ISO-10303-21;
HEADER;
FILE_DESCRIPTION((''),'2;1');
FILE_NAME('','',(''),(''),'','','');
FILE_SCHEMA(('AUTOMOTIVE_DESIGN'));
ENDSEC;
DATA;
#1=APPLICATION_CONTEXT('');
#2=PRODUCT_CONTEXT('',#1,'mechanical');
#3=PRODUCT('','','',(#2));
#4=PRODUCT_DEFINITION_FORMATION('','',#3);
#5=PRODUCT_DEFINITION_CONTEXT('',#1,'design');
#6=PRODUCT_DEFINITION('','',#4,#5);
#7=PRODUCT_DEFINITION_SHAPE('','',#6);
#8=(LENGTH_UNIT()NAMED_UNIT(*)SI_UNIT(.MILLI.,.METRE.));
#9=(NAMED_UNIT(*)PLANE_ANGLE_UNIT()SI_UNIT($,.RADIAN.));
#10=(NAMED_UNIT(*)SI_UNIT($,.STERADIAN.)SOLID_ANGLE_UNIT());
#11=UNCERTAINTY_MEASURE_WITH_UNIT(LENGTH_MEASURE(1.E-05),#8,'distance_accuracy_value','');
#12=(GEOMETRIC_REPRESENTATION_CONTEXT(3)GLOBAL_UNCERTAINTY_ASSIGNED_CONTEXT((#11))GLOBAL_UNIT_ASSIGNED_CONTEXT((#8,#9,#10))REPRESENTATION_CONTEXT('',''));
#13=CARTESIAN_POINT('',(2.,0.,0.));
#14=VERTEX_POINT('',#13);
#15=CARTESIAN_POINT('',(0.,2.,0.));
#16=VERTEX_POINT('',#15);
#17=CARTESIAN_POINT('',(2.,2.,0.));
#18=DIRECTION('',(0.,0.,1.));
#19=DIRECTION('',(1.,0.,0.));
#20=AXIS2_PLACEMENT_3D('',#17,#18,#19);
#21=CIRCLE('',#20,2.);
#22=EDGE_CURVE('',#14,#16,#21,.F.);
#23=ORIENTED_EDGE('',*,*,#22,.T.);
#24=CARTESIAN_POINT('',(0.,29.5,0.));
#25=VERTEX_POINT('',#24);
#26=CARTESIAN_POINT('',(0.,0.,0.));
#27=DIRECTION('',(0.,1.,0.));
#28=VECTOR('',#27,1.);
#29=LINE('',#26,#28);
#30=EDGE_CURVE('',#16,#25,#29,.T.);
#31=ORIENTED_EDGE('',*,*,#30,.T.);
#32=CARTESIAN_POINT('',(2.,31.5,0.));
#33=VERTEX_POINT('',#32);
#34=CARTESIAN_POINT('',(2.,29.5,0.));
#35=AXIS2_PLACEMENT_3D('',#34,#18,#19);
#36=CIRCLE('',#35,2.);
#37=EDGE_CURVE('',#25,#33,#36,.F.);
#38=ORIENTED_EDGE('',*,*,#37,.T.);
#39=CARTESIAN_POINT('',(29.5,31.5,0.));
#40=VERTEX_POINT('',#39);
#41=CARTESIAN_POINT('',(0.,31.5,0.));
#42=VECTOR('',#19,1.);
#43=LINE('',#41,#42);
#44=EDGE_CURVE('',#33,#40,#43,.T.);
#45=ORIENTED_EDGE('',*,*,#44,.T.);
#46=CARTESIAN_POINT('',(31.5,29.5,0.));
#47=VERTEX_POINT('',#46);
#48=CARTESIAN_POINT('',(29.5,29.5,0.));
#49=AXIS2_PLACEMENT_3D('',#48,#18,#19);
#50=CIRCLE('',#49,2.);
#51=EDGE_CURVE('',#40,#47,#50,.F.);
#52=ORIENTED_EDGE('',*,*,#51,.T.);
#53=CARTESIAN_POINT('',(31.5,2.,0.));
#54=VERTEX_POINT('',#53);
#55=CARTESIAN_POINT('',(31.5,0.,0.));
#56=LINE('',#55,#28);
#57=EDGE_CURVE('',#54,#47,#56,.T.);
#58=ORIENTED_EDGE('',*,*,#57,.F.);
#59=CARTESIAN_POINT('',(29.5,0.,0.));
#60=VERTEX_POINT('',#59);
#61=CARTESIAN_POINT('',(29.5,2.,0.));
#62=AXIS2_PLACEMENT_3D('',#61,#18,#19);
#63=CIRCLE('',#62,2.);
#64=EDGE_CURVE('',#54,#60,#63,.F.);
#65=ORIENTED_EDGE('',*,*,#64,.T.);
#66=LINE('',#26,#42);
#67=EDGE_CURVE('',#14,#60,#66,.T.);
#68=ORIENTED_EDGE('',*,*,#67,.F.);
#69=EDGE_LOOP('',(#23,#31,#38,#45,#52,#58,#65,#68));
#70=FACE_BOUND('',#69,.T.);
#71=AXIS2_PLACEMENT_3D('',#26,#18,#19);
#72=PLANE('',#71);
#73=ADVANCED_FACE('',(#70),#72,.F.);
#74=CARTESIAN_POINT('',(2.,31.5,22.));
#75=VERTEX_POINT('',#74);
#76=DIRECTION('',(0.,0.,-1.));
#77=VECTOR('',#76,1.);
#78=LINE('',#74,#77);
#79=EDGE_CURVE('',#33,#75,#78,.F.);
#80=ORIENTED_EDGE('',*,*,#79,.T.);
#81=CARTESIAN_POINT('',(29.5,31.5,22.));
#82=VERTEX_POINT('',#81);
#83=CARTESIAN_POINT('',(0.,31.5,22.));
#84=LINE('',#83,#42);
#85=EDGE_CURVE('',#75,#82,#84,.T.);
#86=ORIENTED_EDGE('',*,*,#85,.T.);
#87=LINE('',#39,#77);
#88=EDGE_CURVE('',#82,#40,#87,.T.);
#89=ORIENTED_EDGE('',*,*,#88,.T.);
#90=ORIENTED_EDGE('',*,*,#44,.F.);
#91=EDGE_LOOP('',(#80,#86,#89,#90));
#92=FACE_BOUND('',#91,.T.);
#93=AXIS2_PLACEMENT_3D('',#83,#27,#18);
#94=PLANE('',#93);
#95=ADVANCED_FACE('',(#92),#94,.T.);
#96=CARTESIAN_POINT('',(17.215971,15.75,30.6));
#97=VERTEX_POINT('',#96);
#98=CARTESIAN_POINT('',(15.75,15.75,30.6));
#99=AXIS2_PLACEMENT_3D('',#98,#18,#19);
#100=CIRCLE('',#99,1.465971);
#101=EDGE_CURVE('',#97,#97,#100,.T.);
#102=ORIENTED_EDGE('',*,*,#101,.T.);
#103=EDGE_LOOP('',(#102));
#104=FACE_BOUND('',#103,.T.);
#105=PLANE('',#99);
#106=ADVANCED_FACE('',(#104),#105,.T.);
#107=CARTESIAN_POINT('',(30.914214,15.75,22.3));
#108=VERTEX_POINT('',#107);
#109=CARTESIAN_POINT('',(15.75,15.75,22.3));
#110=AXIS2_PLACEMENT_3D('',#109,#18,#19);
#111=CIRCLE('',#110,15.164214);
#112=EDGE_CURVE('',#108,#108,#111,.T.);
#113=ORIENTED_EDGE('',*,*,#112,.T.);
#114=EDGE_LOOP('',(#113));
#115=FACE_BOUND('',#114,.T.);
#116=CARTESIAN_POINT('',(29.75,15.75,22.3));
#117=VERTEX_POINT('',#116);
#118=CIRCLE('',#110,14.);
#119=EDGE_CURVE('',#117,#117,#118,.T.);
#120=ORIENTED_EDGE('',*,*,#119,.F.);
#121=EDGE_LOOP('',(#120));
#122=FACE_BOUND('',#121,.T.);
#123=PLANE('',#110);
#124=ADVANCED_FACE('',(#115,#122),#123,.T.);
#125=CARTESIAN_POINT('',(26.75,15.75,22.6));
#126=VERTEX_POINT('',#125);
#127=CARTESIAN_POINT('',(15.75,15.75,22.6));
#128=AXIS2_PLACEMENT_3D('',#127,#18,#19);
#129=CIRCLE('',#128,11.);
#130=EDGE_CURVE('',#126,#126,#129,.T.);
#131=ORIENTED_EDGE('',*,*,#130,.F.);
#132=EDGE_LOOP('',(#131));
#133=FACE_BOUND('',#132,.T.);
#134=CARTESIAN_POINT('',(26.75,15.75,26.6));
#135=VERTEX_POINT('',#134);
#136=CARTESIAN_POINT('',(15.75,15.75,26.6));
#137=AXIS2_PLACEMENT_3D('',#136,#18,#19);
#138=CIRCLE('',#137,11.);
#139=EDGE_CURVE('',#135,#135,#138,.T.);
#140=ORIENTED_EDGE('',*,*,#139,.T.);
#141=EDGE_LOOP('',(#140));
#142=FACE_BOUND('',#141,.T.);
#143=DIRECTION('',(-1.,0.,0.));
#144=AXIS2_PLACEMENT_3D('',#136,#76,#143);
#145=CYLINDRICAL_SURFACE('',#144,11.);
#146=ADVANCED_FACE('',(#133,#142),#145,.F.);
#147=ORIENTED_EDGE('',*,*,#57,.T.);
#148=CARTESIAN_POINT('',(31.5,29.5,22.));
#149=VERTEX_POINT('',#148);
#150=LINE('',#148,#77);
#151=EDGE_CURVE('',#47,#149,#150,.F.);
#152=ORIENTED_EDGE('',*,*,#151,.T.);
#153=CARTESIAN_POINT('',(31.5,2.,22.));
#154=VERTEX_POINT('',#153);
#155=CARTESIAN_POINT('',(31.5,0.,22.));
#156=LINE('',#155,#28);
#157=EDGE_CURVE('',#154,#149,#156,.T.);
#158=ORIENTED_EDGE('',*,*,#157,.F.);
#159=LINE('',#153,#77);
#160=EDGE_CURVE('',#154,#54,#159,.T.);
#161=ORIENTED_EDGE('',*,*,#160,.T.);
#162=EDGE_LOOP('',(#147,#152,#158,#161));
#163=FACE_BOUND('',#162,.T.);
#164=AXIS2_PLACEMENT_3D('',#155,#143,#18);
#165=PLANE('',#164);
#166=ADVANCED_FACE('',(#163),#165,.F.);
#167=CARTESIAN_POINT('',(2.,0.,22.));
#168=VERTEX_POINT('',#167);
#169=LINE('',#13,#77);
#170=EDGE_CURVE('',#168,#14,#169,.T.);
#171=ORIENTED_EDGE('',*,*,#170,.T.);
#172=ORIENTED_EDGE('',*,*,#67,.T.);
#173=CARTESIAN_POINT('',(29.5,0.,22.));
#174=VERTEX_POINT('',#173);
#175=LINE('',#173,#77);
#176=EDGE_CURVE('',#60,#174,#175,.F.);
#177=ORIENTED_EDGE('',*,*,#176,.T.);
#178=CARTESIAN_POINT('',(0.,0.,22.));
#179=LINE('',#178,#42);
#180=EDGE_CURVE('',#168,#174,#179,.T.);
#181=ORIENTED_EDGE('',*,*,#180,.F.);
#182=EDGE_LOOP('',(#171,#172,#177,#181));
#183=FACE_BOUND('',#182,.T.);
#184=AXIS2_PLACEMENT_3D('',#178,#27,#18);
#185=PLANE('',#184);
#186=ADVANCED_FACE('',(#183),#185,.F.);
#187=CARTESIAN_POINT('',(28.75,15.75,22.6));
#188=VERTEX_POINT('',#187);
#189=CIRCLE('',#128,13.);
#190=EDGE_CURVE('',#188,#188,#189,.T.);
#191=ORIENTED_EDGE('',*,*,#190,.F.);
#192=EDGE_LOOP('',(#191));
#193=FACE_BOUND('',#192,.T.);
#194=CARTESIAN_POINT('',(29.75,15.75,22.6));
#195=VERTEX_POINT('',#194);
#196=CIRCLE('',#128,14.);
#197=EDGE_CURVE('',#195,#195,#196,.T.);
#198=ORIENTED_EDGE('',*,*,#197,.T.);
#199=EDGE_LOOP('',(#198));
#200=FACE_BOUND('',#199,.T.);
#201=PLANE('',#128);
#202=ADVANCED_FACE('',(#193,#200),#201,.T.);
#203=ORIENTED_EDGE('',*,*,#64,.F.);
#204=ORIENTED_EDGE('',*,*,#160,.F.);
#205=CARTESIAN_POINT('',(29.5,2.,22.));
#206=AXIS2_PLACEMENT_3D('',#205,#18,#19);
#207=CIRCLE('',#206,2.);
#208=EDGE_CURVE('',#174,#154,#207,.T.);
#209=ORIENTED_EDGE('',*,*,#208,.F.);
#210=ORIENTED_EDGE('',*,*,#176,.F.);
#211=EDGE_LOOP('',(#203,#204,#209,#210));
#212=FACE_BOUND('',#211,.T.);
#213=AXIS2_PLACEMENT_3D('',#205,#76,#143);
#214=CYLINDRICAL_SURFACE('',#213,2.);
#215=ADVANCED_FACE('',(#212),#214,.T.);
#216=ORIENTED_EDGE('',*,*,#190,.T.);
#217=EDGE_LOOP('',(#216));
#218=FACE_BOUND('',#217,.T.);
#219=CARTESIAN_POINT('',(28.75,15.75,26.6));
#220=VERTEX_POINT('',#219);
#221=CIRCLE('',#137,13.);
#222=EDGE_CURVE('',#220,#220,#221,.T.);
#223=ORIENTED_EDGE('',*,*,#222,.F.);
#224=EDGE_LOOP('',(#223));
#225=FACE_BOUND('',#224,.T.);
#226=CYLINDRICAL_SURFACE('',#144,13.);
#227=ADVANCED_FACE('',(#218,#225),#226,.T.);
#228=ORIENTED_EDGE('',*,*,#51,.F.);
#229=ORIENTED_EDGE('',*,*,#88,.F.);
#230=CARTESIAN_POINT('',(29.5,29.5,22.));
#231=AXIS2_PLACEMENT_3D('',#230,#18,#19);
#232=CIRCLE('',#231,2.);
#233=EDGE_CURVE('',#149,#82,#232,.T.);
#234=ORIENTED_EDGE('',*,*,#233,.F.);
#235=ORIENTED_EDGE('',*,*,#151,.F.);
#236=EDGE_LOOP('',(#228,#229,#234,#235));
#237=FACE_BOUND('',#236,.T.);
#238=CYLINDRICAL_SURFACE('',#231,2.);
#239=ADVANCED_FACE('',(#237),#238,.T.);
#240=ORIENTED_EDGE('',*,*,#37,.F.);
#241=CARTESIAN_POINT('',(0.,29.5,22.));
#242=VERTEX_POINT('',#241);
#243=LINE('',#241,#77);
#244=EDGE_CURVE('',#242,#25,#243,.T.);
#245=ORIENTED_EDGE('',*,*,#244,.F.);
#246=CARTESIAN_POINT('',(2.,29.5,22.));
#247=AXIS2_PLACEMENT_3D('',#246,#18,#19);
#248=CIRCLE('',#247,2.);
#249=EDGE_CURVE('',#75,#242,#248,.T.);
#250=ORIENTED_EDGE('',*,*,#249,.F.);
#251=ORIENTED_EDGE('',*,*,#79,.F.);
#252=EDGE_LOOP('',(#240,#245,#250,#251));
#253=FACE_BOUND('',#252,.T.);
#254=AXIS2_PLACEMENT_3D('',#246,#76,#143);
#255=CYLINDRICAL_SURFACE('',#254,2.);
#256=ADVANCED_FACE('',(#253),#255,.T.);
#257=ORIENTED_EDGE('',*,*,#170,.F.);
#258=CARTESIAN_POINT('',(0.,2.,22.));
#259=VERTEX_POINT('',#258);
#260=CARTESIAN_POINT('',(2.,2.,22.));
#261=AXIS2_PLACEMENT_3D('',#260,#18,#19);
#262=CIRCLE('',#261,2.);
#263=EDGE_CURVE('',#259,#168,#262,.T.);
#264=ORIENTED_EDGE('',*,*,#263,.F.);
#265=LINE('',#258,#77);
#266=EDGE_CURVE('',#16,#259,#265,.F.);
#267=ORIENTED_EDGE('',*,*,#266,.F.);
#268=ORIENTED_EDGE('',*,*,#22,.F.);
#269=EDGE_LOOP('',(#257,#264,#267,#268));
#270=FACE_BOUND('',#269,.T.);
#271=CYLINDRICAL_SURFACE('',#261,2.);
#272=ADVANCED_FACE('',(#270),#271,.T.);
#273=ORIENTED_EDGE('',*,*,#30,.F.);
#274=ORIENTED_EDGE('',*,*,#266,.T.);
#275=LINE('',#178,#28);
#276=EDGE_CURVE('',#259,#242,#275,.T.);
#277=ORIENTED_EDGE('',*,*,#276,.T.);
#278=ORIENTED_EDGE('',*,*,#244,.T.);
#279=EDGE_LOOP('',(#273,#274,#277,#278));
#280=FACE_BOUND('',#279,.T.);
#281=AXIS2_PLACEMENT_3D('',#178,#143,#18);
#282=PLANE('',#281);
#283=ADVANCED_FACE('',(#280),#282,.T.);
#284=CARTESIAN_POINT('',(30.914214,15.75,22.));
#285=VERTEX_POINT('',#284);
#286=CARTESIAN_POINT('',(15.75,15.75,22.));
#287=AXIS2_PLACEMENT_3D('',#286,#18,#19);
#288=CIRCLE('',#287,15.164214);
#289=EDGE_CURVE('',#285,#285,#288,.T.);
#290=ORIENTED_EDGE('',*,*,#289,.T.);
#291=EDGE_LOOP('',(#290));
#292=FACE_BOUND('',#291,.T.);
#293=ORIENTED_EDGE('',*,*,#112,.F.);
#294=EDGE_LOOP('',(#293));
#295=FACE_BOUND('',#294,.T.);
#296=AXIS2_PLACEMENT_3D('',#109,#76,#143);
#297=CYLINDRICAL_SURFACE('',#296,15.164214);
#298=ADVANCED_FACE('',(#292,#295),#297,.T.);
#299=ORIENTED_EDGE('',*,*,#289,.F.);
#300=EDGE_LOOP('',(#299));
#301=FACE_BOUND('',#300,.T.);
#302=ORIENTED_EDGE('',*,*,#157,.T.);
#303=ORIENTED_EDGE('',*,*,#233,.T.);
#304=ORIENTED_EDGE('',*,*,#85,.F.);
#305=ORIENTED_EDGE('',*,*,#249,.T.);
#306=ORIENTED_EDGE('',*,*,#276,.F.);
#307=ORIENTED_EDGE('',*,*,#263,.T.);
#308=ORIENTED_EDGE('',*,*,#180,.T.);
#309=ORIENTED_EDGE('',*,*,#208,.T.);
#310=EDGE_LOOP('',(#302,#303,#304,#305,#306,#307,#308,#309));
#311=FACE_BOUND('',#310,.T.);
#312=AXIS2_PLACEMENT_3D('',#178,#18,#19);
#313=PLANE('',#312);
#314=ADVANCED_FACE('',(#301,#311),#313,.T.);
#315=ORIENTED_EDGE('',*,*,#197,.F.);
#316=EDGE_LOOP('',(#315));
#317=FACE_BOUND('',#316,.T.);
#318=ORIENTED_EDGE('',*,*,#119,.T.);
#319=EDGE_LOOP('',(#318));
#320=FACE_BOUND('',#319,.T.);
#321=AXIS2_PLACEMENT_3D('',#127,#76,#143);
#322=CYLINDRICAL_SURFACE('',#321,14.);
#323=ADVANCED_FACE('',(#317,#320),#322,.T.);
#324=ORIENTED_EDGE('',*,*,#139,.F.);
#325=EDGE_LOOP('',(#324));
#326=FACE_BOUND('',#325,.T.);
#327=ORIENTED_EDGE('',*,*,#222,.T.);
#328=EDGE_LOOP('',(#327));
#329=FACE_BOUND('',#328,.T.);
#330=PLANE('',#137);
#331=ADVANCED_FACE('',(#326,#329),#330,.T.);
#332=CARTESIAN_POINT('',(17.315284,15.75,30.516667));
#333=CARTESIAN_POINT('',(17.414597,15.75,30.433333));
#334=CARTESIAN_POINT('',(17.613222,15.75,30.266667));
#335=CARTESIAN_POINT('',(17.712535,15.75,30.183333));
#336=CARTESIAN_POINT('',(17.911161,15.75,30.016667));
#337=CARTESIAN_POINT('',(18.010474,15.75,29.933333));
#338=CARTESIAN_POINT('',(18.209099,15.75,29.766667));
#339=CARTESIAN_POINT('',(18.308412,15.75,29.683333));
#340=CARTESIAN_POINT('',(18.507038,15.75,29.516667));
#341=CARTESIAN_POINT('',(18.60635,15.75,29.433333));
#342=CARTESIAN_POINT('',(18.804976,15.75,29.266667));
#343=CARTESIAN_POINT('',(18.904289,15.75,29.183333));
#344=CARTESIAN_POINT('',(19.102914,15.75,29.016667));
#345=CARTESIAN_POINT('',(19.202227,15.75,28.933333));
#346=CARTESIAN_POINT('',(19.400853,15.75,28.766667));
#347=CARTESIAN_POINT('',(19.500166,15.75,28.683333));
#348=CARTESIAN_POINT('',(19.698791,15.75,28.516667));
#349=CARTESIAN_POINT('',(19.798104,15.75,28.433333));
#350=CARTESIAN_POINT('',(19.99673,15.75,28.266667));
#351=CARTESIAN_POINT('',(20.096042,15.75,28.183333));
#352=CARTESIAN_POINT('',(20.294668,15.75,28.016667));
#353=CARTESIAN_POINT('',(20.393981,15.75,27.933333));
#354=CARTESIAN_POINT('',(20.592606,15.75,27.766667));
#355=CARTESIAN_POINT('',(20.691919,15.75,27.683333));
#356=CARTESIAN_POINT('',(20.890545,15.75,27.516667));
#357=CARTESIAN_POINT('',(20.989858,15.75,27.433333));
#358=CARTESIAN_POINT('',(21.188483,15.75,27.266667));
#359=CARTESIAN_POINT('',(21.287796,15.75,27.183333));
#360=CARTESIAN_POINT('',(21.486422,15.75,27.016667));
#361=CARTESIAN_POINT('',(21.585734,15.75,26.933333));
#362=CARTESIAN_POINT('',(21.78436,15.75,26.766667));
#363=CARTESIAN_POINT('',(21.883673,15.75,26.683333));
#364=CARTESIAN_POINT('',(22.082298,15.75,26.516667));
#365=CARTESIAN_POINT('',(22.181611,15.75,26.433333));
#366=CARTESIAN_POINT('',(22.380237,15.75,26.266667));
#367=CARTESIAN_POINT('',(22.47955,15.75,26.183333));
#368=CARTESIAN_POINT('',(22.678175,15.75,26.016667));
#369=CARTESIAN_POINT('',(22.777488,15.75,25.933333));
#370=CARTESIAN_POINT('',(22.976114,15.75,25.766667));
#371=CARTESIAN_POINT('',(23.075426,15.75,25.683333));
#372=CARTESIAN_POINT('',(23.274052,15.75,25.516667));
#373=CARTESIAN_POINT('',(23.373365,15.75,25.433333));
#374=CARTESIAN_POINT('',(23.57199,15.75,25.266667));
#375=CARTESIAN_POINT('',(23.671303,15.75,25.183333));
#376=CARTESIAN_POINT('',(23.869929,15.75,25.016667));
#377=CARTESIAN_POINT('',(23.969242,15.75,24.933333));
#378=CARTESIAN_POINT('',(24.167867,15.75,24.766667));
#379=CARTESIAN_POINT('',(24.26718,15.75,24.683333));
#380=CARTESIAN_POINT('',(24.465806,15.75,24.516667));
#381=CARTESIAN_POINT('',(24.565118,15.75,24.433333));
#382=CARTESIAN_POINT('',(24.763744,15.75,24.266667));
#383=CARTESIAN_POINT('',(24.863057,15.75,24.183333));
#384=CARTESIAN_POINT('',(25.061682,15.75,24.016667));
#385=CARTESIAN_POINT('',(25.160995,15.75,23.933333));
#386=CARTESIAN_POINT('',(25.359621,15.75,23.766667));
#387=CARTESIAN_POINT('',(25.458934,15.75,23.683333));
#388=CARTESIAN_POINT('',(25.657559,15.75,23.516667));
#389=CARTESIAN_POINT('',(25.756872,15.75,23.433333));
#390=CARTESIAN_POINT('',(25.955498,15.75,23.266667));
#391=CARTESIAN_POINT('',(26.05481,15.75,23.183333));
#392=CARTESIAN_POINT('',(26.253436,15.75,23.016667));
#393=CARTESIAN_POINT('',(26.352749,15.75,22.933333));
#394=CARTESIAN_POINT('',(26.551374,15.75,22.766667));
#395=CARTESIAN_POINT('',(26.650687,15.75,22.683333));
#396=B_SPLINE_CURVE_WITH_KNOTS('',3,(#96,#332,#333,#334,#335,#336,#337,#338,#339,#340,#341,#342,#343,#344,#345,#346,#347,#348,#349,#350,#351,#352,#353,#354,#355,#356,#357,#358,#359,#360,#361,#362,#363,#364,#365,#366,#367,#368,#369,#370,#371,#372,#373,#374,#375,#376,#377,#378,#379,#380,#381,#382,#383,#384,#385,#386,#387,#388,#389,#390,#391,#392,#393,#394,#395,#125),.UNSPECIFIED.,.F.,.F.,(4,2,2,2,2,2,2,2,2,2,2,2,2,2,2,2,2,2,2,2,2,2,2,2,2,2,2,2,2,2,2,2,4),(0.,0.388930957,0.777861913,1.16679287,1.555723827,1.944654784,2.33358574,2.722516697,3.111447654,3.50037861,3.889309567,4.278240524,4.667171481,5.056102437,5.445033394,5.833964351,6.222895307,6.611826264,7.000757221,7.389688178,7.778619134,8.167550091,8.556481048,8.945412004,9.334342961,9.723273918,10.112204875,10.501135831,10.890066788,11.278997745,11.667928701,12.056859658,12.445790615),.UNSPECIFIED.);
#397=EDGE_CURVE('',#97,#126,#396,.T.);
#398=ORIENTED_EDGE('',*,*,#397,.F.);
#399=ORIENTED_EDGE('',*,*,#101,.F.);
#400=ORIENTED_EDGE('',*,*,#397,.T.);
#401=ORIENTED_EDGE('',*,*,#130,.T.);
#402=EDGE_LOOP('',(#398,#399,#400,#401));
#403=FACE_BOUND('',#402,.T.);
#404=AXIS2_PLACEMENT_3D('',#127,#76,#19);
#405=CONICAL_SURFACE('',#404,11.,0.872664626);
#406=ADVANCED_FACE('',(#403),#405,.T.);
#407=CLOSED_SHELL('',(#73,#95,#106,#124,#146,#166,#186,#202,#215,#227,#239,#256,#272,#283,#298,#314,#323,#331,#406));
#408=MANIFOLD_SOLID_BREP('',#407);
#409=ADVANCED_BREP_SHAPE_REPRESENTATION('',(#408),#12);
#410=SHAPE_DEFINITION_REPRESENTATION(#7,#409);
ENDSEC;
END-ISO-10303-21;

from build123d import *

# Parameters (mm, degrees)
SKETCH1_W           = 31.5
SKETCH1_H           = 31.5
BOSS_EXTRUDE1_DEPTH = 22
FILLET2_R           = 2
SKETCH2_R           = 15.164213562
BOSS_EXTRUDE2_DEPTH = 0.3
SKETCH3_R           = 14
BOSS_EXTRUDE3_DEPTH = 0.3
SKETCH4_R           = 13
SKETCH4_R_2         = 11
BOSS_EXTRUDE5_DEPTH = 4
SKETCH6_R           = 11
BOSS_EXTRUDE6_DEPTH = 8
BOSS_EXTRUDE6_TAPER = 50


with BuildPart() as part:
    # Sketch1 → Boss-Extrude1 (new body)
    with BuildSketch(Plane.XY):
        with Locations((15.75, 15.75)):
            Rectangle(SKETCH1_W, SKETCH1_H)
    extrude(amount=BOSS_EXTRUDE1_DEPTH)

    # Fillet2
    fillet2_edges = [part.edges().sort_by_distance(p)[0] for p in [
        (0, 0, 11),
        (0, 31.5, 11),
        (31.5, 31.5, 11),
        (31.5, 0, 11),
    ]]
    fillet(fillet2_edges, radius=FILLET2_R)

    # Sketch2 → Boss-Extrude2 (add)
    with BuildSketch(Plane.XY.offset(22)):
        with Locations((15.75, 15.75)):
            Circle(SKETCH2_R)
    extrude(amount=BOSS_EXTRUDE2_DEPTH)

    # Sketch3 → Boss-Extrude3 (add)
    with BuildSketch(Plane.XY.offset(22.3)):
        with Locations((15.75, 15.75)):
            Circle(SKETCH3_R)
    extrude(amount=BOSS_EXTRUDE3_DEPTH)

    # Sketch4 → Boss-Extrude5 (add)
    with BuildSketch(Plane.XY.offset(22.6)):
        with Locations((15.75, 15.75)):
            Circle(SKETCH4_R)
        with Locations((15.75, 15.75)):
            Circle(SKETCH4_R_2, mode=Mode.SUBTRACT)
    extrude(amount=BOSS_EXTRUDE5_DEPTH)

    # Sketch6 → Boss-Extrude6 (add)
    with BuildSketch(Plane.XY.offset(22.6)):
        with Locations((15.75, 15.75)):
            Circle(SKETCH6_R)
    extrude(amount=BOSS_EXTRUDE6_DEPTH, taper=BOSS_EXTRUDE6_TAPER)


solid = part.part
